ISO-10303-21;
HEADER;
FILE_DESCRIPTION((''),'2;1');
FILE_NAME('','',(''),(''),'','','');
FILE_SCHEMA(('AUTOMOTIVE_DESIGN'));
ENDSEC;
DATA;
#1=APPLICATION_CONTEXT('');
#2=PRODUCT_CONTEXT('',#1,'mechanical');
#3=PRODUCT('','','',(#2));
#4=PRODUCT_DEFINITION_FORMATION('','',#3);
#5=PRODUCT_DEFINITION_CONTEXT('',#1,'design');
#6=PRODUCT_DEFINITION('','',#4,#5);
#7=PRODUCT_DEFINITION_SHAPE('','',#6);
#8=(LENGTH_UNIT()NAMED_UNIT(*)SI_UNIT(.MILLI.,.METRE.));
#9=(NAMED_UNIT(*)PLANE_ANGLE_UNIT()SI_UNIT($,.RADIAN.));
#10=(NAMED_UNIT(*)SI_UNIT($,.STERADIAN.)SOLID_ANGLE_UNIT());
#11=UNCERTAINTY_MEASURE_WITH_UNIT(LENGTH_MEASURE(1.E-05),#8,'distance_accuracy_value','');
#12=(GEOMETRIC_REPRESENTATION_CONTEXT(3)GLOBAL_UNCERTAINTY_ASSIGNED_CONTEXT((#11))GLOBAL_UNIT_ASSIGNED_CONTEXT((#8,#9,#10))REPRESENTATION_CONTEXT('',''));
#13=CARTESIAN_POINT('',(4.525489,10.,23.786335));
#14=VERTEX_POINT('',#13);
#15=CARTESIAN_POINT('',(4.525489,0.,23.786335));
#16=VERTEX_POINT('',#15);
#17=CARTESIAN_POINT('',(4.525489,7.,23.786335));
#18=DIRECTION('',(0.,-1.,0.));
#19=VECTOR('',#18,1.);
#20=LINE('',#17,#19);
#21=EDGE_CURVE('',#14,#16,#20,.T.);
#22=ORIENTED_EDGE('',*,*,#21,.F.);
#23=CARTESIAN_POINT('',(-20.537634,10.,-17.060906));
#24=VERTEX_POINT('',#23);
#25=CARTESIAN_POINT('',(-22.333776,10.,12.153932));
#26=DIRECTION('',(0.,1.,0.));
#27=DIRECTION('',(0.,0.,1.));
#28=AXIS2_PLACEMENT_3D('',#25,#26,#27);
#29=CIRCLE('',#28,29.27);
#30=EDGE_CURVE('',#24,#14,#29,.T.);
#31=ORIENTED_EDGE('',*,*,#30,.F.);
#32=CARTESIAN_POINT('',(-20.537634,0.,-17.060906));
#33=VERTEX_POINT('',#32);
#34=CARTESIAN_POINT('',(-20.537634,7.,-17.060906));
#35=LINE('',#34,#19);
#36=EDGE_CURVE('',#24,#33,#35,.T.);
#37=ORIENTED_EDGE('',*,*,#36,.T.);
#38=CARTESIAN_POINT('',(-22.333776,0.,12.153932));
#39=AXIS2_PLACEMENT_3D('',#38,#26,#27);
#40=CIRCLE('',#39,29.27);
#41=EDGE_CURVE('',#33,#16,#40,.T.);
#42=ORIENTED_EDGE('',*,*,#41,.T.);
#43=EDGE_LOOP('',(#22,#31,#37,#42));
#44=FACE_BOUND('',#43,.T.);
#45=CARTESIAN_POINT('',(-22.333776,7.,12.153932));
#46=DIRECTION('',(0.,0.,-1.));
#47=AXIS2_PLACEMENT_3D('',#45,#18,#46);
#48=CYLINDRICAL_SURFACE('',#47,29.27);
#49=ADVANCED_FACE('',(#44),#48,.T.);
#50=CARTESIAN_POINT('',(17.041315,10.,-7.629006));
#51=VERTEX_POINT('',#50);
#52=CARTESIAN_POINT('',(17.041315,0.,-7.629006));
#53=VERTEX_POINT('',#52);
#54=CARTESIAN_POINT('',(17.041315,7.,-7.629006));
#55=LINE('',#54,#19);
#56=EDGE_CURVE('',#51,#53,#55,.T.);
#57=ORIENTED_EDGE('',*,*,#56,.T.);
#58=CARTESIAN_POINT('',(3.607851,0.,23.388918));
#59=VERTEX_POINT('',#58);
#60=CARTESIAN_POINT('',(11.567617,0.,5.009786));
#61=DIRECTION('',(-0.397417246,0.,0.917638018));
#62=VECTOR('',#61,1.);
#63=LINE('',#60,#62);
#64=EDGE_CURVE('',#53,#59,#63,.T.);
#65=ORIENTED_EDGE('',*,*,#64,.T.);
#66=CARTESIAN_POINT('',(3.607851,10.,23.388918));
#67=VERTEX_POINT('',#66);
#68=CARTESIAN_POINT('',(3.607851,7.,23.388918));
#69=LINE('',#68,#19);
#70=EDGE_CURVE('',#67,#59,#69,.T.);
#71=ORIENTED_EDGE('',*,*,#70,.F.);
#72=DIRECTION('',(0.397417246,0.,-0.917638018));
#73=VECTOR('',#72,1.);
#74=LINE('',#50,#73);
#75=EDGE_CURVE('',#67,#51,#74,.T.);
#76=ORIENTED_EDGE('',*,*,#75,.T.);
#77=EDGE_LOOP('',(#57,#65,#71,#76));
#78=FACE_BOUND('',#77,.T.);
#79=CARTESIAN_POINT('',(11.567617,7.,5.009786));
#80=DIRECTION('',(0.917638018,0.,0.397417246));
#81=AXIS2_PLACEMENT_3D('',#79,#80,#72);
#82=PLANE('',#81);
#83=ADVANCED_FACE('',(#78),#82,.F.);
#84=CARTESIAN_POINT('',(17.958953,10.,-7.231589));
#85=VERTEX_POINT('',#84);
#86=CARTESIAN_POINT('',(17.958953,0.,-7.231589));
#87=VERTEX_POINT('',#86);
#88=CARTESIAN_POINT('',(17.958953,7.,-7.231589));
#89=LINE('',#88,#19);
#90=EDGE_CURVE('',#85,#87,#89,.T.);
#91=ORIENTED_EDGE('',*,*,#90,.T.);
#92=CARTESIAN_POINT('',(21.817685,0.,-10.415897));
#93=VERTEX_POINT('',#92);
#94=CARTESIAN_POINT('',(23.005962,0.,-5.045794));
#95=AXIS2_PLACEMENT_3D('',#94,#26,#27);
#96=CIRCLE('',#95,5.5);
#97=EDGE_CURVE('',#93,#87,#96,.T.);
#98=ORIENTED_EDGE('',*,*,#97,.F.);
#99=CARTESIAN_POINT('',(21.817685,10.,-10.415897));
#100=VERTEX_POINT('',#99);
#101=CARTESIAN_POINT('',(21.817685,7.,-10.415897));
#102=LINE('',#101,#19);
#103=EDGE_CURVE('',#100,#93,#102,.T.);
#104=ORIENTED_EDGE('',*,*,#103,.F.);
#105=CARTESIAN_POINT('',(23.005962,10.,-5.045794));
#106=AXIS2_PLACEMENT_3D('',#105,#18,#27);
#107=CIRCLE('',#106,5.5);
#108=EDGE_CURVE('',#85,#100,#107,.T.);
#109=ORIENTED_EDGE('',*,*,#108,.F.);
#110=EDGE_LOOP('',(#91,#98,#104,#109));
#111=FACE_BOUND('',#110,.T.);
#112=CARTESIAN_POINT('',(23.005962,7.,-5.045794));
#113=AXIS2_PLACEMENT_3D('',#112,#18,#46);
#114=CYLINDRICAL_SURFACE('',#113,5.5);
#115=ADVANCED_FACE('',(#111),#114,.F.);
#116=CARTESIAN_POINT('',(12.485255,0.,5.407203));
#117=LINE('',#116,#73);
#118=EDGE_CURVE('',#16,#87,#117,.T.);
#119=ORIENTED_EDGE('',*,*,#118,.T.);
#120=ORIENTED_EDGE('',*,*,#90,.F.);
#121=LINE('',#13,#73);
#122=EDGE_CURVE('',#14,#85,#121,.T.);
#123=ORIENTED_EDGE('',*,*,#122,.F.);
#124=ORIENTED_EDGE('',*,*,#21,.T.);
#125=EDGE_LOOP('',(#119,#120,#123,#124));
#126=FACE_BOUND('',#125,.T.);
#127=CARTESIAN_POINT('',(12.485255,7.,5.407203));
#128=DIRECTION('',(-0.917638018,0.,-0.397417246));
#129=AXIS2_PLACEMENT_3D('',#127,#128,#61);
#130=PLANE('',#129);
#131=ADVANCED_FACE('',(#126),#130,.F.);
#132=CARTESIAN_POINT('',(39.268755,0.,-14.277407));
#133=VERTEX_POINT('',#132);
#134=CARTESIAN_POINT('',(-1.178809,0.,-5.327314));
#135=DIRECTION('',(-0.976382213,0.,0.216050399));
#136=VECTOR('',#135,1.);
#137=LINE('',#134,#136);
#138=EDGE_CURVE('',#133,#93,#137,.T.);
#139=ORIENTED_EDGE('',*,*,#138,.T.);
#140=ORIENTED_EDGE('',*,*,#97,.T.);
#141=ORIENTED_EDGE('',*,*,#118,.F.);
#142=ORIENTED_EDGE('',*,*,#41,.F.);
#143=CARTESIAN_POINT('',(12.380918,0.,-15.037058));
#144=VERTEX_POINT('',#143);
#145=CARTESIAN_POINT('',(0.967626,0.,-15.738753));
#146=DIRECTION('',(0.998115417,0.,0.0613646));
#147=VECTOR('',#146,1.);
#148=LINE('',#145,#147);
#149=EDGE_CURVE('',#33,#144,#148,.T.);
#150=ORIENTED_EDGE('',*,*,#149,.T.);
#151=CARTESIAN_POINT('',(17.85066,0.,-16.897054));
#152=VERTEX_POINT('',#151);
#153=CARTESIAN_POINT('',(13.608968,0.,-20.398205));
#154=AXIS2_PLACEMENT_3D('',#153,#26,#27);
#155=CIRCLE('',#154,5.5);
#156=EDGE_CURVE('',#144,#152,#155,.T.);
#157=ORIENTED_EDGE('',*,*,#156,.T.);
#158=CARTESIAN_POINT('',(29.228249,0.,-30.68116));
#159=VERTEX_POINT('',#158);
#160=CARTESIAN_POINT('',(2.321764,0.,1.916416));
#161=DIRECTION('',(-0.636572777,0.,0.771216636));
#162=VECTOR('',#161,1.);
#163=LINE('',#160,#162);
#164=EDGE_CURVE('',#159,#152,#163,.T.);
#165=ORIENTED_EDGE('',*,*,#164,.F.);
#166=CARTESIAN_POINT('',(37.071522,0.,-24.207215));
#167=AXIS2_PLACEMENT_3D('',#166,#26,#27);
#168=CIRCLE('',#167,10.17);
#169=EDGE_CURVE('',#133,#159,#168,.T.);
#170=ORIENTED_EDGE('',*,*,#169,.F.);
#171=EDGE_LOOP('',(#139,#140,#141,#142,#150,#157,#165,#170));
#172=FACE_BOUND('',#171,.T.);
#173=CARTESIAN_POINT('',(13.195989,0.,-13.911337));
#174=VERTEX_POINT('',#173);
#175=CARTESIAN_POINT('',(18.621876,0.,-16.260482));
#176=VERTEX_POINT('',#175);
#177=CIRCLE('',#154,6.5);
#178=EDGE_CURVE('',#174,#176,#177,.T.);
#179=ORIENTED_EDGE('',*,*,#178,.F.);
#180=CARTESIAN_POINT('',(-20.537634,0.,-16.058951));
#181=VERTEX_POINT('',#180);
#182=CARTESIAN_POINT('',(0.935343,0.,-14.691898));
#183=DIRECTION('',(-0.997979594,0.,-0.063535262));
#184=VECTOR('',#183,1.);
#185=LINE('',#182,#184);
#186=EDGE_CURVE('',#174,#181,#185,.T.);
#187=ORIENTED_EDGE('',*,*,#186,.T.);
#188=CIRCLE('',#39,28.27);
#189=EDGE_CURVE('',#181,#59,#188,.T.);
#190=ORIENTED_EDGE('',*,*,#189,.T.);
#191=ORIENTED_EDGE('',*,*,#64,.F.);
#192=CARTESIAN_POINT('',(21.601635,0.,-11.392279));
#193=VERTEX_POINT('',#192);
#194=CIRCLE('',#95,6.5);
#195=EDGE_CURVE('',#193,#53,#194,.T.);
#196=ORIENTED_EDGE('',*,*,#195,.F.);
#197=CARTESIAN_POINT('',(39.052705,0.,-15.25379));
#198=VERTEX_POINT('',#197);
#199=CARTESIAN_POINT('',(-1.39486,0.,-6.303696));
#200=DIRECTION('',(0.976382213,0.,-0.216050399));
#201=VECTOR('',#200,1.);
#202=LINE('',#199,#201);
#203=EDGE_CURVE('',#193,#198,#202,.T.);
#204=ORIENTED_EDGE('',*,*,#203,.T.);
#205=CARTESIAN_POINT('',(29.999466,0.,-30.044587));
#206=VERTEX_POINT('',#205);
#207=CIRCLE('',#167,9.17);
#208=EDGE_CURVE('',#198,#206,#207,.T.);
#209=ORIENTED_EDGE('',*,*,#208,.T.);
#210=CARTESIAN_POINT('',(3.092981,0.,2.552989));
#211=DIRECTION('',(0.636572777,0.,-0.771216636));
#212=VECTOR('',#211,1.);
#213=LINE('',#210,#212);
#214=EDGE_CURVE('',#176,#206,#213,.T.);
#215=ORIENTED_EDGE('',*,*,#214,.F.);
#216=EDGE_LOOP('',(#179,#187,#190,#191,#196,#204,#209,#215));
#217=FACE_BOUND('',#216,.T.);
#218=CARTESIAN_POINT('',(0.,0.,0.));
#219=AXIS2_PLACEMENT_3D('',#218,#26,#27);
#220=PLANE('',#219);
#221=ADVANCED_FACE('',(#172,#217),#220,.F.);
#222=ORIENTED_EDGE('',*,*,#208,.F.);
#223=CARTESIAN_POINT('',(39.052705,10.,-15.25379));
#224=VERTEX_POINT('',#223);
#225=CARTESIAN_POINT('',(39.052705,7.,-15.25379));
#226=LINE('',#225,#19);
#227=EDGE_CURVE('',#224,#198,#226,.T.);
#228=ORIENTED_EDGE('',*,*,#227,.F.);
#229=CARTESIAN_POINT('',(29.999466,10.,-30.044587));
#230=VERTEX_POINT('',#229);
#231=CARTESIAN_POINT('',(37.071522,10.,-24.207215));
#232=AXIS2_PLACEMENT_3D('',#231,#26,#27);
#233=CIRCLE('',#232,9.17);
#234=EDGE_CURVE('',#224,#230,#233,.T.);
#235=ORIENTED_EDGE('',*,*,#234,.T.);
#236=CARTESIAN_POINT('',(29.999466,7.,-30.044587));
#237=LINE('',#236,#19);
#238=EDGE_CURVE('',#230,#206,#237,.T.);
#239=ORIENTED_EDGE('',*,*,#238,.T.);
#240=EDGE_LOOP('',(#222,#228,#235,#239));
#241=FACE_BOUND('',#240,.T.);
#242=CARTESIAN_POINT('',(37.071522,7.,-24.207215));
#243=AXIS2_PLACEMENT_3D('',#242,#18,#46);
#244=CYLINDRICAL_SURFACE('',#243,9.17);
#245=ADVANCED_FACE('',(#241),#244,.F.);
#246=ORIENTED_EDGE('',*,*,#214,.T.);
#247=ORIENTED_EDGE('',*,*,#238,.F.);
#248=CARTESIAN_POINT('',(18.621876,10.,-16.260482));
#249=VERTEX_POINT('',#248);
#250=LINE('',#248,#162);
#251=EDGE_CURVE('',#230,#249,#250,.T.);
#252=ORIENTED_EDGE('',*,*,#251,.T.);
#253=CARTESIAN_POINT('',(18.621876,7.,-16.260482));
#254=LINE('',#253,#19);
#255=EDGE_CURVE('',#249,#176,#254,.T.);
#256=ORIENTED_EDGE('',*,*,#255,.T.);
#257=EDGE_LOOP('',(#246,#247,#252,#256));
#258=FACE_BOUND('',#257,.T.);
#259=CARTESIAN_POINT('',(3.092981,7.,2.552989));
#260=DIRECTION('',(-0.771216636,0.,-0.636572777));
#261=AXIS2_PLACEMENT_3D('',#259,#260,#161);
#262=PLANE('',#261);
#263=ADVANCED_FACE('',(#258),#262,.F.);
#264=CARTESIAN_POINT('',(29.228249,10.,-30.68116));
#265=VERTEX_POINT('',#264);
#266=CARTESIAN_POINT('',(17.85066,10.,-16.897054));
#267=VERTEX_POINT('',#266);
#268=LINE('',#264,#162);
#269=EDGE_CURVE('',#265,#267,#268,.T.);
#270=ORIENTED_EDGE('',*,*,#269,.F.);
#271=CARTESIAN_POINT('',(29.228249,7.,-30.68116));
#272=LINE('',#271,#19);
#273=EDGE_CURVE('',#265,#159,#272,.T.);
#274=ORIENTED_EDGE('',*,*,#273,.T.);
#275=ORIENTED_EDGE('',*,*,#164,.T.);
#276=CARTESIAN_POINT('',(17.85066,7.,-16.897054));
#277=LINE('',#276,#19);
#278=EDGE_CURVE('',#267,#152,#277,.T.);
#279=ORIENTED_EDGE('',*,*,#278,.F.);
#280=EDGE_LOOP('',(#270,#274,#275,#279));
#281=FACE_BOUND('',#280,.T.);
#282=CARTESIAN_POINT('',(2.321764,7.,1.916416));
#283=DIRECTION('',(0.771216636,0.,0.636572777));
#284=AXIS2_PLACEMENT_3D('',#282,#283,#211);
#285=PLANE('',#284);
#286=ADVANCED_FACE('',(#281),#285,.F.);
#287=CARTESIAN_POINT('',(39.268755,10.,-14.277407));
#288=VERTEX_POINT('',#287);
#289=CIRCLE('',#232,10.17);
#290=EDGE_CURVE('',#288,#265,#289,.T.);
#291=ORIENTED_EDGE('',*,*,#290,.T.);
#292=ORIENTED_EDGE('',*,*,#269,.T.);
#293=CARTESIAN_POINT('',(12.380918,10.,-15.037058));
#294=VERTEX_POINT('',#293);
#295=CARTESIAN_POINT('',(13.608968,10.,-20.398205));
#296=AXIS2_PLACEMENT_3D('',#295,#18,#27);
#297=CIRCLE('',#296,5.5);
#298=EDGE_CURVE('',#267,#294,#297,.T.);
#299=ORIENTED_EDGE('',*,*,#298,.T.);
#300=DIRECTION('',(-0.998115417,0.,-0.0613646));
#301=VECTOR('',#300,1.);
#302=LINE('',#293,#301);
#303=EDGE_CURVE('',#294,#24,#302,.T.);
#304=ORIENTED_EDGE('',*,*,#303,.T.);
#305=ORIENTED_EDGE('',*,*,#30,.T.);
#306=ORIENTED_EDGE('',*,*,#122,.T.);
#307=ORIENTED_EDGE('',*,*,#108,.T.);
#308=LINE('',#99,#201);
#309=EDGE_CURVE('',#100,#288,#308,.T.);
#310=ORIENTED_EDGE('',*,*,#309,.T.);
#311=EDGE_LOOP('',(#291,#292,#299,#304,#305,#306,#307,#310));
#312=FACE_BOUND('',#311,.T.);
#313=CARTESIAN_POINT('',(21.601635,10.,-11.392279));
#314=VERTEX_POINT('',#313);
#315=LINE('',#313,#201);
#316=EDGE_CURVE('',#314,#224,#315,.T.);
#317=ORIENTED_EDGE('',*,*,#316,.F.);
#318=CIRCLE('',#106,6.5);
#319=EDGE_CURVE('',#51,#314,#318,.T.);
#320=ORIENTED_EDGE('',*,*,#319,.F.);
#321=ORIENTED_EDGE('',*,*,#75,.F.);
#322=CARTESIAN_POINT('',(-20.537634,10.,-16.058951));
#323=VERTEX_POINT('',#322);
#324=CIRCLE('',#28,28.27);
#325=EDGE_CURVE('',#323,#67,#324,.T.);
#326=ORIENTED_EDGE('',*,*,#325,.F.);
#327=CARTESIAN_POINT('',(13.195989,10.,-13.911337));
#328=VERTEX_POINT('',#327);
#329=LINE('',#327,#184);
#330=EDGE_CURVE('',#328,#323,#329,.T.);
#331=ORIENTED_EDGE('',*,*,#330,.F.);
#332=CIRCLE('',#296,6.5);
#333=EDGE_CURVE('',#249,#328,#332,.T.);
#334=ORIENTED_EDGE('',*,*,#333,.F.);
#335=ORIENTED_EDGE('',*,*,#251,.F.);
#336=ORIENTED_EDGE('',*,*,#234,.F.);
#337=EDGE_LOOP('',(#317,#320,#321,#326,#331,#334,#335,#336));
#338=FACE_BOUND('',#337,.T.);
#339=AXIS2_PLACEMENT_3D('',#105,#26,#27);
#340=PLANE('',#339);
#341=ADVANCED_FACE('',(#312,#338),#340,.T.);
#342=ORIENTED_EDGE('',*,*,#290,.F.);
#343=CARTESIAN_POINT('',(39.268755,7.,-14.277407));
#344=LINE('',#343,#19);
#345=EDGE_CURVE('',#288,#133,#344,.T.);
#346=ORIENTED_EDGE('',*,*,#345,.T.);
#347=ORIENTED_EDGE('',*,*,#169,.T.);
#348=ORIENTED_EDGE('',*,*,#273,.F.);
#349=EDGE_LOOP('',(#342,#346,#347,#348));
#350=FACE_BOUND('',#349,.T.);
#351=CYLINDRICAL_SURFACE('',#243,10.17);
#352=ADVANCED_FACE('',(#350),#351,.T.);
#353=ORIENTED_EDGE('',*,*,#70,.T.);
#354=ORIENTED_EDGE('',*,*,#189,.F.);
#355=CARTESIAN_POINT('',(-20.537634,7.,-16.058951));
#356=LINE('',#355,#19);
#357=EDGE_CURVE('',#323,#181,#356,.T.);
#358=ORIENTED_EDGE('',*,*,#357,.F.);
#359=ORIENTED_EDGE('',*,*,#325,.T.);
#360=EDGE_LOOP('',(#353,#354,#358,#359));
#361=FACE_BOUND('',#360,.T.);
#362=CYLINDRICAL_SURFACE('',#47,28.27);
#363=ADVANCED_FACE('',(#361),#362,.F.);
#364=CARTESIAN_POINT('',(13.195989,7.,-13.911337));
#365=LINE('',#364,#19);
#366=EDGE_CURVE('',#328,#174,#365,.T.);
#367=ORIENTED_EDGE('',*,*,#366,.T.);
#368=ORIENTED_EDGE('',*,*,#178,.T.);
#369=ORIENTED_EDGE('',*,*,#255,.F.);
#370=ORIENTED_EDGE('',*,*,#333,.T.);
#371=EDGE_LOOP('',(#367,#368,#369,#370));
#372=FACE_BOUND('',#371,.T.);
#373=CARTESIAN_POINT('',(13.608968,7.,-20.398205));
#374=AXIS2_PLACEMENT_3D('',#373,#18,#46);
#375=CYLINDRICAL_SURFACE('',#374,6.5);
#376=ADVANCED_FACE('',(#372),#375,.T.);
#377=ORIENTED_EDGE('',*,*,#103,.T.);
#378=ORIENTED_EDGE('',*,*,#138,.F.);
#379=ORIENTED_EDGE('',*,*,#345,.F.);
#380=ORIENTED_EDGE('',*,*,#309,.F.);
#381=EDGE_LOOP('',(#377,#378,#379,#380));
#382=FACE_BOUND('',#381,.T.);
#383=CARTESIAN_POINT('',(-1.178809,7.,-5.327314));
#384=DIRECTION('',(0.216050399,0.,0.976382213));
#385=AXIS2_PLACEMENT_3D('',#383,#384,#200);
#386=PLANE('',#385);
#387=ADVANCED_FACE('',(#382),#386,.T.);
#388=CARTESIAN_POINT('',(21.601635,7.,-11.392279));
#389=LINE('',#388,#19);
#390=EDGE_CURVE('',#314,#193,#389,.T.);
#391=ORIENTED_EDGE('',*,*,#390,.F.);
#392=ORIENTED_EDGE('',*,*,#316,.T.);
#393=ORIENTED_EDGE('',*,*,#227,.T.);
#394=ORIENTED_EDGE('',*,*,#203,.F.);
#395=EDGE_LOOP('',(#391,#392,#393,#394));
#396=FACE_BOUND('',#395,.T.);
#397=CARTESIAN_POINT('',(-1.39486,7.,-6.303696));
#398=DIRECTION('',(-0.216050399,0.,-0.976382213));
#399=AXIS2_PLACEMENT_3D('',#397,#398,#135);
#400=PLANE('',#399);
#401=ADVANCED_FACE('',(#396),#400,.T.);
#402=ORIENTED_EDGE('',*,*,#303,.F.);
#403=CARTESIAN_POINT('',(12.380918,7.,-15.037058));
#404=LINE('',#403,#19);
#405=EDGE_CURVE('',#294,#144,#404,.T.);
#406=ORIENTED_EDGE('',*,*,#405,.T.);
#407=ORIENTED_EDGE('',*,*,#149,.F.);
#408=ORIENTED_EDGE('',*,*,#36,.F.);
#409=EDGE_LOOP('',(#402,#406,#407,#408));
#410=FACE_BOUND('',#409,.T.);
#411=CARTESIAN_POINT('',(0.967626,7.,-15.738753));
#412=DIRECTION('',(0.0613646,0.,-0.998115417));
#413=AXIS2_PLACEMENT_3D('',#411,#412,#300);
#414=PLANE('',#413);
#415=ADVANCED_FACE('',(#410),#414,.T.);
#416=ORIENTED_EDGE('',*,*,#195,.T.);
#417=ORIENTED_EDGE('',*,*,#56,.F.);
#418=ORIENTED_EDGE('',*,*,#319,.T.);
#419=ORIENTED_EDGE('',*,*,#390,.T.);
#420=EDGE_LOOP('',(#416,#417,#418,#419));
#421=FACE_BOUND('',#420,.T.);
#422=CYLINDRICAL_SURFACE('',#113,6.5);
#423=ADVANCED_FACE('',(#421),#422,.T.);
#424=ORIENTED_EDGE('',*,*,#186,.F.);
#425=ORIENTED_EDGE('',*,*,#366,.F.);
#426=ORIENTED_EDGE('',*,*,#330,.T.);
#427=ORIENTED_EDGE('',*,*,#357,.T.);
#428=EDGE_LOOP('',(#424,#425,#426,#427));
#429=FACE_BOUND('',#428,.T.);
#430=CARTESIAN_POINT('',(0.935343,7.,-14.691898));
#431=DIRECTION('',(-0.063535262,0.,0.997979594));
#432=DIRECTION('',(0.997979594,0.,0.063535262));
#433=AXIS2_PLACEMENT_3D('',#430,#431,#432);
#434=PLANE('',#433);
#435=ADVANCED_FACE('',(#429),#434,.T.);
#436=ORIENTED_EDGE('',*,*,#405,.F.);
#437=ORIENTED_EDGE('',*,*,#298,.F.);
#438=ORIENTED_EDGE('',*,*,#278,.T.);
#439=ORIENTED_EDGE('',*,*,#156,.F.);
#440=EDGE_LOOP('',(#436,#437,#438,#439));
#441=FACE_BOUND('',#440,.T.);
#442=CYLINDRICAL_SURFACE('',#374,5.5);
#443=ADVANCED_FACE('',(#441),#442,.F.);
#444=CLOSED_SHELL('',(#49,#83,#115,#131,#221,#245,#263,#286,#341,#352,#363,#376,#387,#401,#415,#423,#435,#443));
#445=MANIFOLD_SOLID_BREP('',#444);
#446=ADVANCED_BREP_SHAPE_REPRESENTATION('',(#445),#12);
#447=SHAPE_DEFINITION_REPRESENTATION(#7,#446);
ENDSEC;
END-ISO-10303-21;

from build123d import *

# Parameters (mm, degrees)
BOSS_EXTRUDE1_DEPTH = 7
BOSS_EXTRUDE2_DEPTH = 3


with BuildPart() as part:
    # Sketch1 → Boss-Extrude1 (new body)
    with BuildSketch(Plane(origin=(0, 0, 0), x_dir=(1, 0, 0), z_dir=(0, 1, 0))):
        with BuildLine():
            Line((29.22824924, 30.681159688), (17.850659856, 16.897054356))
            ThreePointArc((17.850659856, 16.897054356), (15.379675631, 15.1910369), (12.380917697, 15.03705815))
            Line((12.380917697, 15.03705815), (-20.537634361, 17.060906053))
            ThreePointArc((-20.537634361, 17.060906053), (-47.281869491, -27.461627718), (4.525488573, -23.786335009))
            Line((4.525488573, -23.786335009), (17.958953394, 7.231589211))
            ThreePointArc((17.958953394, 7.231589211), (19.505297976, 9.287886756), (21.817685297, 10.415896524))
            Line((21.817685297, 10.415896524), (39.268754989, 14.277407445))
            ThreePointArc((39.268754989, 14.277407445), (45.745634232, 29.516516233), (29.22824924, 30.681159688))
        make_face()
        with BuildLine():
            ThreePointArc((3.607850555, -23.388917762), (-46.445589463, -26.91243355), (-20.537634361, 16.058950924))
            Line((-20.537634361, 16.058950924), (13.195989156, 13.911337267))
            ThreePointArc((13.195989156, 13.911337267), (16.191497408, 14.433261737), (18.621876492, 16.260481579))
            Line((18.621876492, 16.260481579), (29.999465876, 30.044586911))
            ThreePointArc((29.999465876, 30.044586911), (44.89272255, 28.994461003), (39.05270459, 15.253789658))
            Line((39.05270459, 15.253789658), (21.601634898, 11.392278737))
            ThreePointArc((21.601634898, 11.392278737), (18.868813518, 10.059176283), (17.041315376, 7.629006457))
            Line((17.041315376, 7.629006457), (3.607850555, -23.388917762))
        make_face(mode=Mode.SUBTRACT)
    extrude(amount=BOSS_EXTRUDE1_DEPTH)

    # Sketch2 → Boss-Extrude2 (add)
    with BuildSketch(Plane(origin=(0, 7, 0), x_dir=(1, 0, 0), z_dir=(0, 1, 0))):
        with BuildLine():
            Line((21.817685297, 10.415896524), (39.268754989, 14.277407445))
            ThreePointArc((39.268754989, 14.277407445), (45.745634232, 29.516516233), (29.22824924, 30.681159688))
            Line((29.22824924, 30.681159688), (17.850659856, 16.897054356))
            ThreePointArc((17.850659856, 16.897054356), (15.379675631, 15.1910369), (12.380917697, 15.03705815))
            Line((12.380917697, 15.03705815), (-20.537634361, 17.060906053))
            ThreePointArc((-20.537634361, 17.060906053), (-47.281869491, -27.461627718), (4.525488573, -23.786335009))
            Line((4.525488573, -23.786335009), (17.958953394, 7.231589211))
            ThreePointArc((17.958953394, 7.231589211), (19.505297976, 9.287886756), (21.817685297, 10.415896524))
        make_face()
        with BuildLine():
            Line((17.041315376, 7.629006457), (3.607850555, -23.388917762))
            ThreePointArc((3.607850555, -23.388917762), (-46.445589463, -26.91243355), (-20.537634361, 16.058950924))
            Line((-20.537634361, 16.058950924), (13.195989156, 13.911337267))
            ThreePointArc((13.195989156, 13.911337267), (16.191497408, 14.433261737), (18.621876492, 16.260481579))
            Line((18.621876492, 16.260481579), (29.999465876, 30.044586911))
            ThreePointArc((29.999465876, 30.044586911), (44.89272255, 28.994461003), (39.05270459, 15.253789658))
            Line((39.05270459, 15.253789658), (21.601634898, 11.392278737))
            ThreePointArc((21.601634898, 11.392278737), (18.868813518, 10.059176283), (17.041315376, 7.629006457))
        make_face(mode=Mode.SUBTRACT)
    extrude(amount=BOSS_EXTRUDE2_DEPTH)


solid = part.part
